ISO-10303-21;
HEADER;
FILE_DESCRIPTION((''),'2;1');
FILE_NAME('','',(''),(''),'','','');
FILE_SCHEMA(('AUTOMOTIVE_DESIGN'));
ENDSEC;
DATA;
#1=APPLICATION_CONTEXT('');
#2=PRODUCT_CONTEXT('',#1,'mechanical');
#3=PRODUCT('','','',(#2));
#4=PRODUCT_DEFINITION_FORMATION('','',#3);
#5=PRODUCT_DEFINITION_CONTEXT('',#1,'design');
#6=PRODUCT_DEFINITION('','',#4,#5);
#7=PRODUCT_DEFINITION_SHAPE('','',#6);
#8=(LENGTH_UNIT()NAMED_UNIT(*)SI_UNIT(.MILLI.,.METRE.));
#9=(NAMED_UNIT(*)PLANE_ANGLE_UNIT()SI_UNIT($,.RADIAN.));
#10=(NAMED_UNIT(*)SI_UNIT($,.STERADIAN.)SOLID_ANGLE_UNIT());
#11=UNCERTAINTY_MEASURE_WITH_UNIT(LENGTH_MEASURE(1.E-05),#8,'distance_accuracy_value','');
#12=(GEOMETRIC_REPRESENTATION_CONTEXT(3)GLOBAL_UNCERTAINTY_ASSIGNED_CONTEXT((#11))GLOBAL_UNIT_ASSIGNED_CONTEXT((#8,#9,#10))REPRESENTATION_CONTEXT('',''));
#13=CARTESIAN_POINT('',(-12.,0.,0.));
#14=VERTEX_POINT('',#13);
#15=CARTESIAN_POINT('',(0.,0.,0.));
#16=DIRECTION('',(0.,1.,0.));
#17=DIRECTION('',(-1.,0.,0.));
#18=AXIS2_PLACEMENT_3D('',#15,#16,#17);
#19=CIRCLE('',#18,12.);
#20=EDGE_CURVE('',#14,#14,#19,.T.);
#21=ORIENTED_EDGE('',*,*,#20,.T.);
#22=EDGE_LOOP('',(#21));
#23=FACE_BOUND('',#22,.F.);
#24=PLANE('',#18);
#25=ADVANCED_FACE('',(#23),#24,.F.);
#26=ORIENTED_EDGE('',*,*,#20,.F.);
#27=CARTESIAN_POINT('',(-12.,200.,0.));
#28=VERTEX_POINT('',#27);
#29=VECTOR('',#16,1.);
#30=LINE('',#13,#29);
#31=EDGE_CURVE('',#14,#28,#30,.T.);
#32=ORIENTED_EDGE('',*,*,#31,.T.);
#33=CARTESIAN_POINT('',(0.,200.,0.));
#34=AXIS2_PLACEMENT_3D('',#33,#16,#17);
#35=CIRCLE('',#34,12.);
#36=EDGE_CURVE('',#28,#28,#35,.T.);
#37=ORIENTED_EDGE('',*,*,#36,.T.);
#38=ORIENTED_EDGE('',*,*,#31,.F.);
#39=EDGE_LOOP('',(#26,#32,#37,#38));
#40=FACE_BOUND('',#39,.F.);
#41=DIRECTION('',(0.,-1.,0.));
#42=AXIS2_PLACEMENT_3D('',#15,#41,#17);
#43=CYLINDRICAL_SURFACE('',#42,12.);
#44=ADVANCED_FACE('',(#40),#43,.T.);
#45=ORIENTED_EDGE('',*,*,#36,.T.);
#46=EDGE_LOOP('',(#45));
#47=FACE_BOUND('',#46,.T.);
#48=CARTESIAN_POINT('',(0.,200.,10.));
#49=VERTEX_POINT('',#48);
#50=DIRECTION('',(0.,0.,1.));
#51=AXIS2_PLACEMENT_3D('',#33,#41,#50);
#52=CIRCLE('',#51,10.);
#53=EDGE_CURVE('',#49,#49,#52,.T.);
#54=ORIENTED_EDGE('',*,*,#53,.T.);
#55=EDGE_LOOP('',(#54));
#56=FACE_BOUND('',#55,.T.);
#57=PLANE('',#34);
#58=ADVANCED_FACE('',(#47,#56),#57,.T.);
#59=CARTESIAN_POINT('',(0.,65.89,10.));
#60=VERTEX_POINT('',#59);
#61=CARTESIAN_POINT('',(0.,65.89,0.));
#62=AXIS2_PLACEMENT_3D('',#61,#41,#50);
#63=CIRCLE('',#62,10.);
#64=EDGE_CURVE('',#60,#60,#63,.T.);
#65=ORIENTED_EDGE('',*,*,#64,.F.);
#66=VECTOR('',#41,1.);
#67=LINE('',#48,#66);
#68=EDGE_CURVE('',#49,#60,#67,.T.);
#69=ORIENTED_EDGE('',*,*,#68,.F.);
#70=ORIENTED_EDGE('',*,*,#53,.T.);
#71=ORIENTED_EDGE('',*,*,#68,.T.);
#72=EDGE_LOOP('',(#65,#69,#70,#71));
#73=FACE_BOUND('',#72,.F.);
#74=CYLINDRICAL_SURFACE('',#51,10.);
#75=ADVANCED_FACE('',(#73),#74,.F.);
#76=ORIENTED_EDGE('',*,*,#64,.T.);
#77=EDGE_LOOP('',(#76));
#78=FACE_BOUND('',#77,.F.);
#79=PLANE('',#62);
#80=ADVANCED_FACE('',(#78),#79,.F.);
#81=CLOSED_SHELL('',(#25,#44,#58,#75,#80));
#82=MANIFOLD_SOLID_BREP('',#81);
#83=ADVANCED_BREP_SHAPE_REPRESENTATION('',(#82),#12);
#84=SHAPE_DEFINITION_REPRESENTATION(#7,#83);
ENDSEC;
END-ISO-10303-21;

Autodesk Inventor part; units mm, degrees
ref_plane "YZ Plane" through (0, 0, 0) normal (1, 0, 0) x (0, 1, 0)
ref_plane "XZ Plane" through (0, 0, 0) normal (0, 1, 0) x (-1, 0, 0)
ref_plane "XY Plane" through (0, 0, 0) normal (0, 0, 1) x (1, 0, 0)
sketch "Sketch1" plane through (0, 0, 0) normal (0, 1, 0) x (-1, 0, 0)
  circle A0 centre (0, 0) radius 12
  dimension "d0" = 24
extrude "Extrusion1" add sketch "Sketch1" along normal blind 200
sketch "Sketch5" plane through (0, 200, 0) normal (0, 1, 0) x (1, 0, 0)
  point P0 (0, 0)
  point P1 (0, 0)
hole "Hole3" at (0, 200, 0) direction (0, -1, 0) diameter 20 depth 134.11
properties part number "outer tube"
